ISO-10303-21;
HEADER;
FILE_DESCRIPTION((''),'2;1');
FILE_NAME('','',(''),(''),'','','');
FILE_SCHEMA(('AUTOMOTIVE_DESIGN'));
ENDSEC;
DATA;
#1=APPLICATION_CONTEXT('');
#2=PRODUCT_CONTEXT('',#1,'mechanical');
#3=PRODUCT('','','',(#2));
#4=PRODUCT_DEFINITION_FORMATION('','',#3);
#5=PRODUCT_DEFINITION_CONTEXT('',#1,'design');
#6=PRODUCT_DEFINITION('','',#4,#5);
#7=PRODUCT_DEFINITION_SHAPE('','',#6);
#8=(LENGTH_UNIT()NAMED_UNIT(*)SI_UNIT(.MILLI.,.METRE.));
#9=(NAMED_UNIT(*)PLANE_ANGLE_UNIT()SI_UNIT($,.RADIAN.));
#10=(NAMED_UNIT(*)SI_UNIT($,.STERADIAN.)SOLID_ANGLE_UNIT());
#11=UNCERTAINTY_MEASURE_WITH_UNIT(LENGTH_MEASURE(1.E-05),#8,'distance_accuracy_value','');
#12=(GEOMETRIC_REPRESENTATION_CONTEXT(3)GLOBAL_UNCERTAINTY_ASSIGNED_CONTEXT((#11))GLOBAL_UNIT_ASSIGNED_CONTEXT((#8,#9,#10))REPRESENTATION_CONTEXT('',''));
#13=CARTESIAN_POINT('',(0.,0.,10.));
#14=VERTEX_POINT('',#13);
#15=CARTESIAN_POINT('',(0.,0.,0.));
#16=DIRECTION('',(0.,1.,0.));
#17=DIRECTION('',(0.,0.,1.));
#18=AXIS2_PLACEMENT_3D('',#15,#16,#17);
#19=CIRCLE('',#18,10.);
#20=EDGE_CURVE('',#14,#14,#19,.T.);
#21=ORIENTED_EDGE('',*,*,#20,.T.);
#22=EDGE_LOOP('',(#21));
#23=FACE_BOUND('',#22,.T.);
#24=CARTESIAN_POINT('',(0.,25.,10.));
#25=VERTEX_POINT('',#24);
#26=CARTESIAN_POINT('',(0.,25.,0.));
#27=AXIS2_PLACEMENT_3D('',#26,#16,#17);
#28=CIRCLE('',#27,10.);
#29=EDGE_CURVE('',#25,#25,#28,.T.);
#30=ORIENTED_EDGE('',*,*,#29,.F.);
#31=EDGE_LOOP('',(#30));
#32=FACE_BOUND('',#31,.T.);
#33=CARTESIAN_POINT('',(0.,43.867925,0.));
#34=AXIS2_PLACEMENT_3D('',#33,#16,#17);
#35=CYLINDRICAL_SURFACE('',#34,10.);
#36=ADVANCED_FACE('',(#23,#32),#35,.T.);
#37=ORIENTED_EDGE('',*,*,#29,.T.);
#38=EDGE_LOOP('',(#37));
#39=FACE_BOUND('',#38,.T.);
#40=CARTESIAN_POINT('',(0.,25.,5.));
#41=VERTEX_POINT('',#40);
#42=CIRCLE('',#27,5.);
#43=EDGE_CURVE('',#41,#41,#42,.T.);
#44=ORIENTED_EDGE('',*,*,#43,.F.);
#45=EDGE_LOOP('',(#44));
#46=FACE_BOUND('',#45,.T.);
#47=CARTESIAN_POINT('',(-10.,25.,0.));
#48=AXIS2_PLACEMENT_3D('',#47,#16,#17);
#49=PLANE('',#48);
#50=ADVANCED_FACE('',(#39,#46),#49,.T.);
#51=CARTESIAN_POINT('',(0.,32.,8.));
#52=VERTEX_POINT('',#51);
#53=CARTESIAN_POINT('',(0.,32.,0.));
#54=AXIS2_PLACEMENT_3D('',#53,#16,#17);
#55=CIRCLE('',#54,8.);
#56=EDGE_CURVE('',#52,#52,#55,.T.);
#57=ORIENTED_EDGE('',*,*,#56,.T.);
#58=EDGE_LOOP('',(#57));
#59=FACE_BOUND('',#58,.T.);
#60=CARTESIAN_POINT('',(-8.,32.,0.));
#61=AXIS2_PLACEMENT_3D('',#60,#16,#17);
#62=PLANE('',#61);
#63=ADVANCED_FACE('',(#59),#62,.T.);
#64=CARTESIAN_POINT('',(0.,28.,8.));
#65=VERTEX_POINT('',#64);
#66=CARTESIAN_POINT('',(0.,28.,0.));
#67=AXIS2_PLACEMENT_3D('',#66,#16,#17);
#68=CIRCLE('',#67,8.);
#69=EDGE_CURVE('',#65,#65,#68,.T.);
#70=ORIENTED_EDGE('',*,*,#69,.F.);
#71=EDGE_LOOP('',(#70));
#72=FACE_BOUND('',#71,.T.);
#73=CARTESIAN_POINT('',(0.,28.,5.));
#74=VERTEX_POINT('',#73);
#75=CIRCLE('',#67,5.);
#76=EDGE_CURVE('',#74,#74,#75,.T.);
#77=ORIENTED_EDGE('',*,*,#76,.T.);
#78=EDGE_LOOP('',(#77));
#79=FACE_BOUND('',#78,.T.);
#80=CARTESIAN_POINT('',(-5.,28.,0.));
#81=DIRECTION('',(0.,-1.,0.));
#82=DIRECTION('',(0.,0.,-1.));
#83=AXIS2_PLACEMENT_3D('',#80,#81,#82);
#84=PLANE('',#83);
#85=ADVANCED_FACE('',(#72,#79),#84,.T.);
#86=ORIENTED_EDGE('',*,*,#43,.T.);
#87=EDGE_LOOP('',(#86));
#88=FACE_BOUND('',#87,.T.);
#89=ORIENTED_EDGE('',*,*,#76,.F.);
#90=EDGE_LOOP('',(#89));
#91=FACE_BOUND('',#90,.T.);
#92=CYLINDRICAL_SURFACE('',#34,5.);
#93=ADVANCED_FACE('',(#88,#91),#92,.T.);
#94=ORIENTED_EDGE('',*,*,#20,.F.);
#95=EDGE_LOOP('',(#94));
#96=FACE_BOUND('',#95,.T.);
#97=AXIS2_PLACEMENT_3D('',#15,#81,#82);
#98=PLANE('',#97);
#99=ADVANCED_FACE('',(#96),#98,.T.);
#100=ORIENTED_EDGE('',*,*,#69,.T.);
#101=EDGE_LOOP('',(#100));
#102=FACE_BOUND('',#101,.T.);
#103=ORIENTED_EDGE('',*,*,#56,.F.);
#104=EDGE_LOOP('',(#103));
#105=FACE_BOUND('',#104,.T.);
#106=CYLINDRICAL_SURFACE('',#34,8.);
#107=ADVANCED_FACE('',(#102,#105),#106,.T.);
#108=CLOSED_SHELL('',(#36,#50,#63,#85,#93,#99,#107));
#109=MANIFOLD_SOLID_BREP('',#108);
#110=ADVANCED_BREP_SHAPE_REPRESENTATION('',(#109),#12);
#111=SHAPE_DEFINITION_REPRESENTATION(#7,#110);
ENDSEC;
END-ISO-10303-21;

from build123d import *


with BuildPart() as part:
    # Schizzo1 → Rivoluzione1 (revolve)
    with BuildSketch(Plane.XY):
        Polygon((0, 0), (-10, 0), (-10, 25), (-5, 25), (-5, 28), (-8, 28), (-8, 32), (0, 32), align=None)
    revolve(axis=Axis((0, 43.867924528, 0), (0, -1, 0)))


solid = part.part
